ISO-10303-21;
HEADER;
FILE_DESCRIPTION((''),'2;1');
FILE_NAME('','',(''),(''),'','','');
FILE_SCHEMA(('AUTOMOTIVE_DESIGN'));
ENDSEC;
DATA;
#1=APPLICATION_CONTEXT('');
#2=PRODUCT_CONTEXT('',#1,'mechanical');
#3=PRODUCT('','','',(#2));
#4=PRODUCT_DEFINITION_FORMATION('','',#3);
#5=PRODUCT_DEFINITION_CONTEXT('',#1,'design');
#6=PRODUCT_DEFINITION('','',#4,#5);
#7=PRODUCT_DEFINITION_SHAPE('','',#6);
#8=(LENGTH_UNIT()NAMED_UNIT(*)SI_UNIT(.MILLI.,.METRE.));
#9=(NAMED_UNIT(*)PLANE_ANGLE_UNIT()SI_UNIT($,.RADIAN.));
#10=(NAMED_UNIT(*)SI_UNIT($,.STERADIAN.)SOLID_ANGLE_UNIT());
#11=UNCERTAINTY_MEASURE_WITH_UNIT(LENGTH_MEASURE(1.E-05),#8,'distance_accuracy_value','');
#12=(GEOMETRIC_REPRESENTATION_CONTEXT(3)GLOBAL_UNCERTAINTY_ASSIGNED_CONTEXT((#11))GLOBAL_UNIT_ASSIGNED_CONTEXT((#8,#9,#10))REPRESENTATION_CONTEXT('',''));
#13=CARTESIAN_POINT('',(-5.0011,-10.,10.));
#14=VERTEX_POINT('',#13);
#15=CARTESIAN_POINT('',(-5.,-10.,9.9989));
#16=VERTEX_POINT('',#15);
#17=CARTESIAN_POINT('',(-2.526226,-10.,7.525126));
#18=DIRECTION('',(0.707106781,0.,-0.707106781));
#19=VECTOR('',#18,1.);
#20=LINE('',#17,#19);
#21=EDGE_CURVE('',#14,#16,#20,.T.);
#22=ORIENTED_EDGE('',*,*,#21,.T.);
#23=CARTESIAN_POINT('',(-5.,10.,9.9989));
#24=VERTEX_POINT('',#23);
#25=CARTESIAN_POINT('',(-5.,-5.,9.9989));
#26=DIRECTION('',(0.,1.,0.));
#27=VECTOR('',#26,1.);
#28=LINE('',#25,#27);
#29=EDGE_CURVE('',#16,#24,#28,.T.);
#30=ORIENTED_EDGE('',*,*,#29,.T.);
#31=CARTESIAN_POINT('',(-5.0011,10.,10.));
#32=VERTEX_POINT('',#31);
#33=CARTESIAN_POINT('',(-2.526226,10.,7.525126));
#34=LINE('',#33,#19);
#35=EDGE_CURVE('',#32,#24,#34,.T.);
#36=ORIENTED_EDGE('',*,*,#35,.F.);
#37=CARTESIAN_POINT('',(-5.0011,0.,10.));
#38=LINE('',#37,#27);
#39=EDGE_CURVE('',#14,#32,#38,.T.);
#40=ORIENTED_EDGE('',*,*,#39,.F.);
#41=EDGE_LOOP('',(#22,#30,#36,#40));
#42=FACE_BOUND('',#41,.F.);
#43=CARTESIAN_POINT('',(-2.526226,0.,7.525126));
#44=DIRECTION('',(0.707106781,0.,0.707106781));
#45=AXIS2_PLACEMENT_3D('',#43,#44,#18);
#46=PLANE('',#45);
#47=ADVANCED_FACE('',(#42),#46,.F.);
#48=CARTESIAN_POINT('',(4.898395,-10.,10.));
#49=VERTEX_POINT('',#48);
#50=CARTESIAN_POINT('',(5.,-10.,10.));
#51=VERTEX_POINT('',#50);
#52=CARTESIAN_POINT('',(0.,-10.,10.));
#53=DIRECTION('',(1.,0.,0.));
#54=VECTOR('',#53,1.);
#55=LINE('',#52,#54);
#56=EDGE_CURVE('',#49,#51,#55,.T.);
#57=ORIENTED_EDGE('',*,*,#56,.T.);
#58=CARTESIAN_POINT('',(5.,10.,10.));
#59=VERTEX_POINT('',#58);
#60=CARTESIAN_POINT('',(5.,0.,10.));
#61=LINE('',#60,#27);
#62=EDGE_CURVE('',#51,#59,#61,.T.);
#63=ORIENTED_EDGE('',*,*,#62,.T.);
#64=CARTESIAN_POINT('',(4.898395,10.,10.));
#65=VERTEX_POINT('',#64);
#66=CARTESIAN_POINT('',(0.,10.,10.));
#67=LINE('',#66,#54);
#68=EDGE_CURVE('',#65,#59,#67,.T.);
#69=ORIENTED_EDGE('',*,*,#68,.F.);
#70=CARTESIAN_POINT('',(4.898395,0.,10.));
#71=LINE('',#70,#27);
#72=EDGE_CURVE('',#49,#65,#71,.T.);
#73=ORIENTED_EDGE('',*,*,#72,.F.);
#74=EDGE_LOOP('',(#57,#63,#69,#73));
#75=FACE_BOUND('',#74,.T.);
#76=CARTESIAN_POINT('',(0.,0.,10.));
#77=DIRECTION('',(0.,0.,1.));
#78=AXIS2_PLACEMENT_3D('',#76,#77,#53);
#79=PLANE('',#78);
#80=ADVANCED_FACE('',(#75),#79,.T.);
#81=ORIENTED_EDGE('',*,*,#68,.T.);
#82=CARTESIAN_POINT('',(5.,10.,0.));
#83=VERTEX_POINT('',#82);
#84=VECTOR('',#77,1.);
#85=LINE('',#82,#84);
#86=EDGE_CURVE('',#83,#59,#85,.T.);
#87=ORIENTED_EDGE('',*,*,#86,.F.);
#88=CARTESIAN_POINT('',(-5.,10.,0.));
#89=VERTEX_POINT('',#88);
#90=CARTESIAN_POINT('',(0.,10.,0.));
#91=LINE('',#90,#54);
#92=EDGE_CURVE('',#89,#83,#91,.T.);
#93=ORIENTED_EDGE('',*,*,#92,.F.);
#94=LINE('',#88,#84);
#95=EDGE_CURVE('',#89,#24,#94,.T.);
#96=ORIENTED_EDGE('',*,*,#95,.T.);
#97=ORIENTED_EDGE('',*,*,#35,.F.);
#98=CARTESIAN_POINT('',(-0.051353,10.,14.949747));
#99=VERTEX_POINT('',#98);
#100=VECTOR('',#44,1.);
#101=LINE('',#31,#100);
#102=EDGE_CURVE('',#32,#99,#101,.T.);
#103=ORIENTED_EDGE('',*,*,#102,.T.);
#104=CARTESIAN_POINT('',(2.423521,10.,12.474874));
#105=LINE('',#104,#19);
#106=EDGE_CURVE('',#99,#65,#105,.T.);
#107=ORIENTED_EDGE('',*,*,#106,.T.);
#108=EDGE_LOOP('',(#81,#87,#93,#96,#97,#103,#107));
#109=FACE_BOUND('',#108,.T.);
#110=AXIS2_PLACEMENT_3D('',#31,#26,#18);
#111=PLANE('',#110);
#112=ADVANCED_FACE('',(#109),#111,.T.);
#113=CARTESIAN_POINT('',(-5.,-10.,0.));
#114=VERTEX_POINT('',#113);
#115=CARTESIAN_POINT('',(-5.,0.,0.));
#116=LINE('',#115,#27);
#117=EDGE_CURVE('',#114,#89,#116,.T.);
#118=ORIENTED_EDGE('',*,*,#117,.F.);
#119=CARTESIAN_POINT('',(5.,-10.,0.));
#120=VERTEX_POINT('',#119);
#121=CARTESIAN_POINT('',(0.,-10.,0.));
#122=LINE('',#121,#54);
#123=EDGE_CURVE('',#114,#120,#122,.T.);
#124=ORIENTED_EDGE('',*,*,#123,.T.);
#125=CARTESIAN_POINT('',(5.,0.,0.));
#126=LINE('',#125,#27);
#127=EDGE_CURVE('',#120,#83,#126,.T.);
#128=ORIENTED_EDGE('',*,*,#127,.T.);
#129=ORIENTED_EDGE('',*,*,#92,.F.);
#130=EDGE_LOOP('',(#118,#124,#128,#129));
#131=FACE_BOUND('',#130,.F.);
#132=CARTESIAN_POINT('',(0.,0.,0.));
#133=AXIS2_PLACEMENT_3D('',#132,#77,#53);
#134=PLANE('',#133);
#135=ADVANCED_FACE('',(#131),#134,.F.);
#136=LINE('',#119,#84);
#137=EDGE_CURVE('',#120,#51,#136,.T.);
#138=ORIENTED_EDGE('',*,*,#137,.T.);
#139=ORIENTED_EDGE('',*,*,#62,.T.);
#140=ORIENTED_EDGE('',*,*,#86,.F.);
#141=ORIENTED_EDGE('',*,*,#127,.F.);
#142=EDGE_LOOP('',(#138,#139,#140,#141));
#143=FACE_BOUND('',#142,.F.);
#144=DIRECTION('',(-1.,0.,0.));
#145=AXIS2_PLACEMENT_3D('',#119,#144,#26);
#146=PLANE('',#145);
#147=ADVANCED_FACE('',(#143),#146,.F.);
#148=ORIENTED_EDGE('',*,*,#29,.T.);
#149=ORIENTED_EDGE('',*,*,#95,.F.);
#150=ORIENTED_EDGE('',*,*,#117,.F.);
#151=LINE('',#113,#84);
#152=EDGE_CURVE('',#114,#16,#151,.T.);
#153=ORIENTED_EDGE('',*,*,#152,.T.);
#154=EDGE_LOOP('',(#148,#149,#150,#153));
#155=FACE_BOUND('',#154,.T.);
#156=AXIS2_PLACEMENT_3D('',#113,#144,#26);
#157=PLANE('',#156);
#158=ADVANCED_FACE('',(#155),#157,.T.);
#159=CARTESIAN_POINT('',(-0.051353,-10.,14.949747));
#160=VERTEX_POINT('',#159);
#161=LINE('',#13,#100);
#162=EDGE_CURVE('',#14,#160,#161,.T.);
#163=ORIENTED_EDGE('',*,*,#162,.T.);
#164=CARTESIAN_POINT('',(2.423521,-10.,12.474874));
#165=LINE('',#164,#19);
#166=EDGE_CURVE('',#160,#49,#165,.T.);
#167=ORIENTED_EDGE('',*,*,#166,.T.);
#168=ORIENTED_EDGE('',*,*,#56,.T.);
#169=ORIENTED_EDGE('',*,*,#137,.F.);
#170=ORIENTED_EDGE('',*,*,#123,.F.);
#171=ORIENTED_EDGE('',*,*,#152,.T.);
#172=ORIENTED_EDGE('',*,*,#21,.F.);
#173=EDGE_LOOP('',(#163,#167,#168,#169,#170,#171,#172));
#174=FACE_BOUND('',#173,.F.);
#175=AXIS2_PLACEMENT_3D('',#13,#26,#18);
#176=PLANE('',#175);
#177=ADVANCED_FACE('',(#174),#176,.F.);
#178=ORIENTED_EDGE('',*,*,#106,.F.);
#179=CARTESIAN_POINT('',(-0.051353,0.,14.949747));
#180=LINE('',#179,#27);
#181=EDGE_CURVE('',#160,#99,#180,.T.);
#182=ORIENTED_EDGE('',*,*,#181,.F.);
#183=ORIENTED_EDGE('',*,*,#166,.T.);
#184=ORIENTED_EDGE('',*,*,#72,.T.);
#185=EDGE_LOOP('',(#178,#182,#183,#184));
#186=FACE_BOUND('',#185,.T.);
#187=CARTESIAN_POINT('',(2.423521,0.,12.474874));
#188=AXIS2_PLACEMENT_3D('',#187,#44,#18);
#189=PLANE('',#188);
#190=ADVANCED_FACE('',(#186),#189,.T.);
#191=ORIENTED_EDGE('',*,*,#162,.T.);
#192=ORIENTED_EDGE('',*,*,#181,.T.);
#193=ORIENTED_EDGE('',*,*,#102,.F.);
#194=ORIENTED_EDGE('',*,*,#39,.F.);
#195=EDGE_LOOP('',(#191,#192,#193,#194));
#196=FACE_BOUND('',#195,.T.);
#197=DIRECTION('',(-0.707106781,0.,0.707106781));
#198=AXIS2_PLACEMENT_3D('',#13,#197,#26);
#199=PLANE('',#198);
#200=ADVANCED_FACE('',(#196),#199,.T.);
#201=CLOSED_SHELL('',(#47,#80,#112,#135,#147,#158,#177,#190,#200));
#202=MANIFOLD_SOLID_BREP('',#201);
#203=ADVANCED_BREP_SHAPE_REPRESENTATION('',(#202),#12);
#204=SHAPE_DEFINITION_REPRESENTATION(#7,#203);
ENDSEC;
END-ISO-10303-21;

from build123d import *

# Parameters (mm, degrees)
BOX001_W               = 7
BOX001_H               = 20
BOX001_DEPTH           = 7
BOX001_PLACEMENT_ANGLE = 45
BOX_W                  = 10
BOX_H                  = 20
BOX_DEPTH              = 10


with BuildPart() as cube001:
    # Box001 → Box001 (new body)
    with BuildSketch(Plane.XY):
        with Locations((3.5, 10)):
            Rectangle(BOX001_W, BOX001_H)
    extrude(amount=BOX001_DEPTH)


with BuildPart() as cube001_1:
    # Box001 placement: moved
    add(cube001.part.moved(Location((-0.0011, 0, 10))).rotate(Axis((-0.0011, 0, 10), (0, 1, 0)), BOX001_PLACEMENT_ANGLE))


with BuildPart() as fusion:
    # Box → Box (new body)
    with BuildSketch(Plane.XY):
        with Locations((5, 10)):
            Rectangle(BOX_W, BOX_H)
    extrude(amount=BOX_DEPTH)

    # Fusion: union Cube001
    add(cube001_1.part)


with BuildPart() as fusion_1:
    # Fusion placement: moved
    add(fusion.part.moved(Location((-5, -10, 0))))


solid = fusion_1.part
